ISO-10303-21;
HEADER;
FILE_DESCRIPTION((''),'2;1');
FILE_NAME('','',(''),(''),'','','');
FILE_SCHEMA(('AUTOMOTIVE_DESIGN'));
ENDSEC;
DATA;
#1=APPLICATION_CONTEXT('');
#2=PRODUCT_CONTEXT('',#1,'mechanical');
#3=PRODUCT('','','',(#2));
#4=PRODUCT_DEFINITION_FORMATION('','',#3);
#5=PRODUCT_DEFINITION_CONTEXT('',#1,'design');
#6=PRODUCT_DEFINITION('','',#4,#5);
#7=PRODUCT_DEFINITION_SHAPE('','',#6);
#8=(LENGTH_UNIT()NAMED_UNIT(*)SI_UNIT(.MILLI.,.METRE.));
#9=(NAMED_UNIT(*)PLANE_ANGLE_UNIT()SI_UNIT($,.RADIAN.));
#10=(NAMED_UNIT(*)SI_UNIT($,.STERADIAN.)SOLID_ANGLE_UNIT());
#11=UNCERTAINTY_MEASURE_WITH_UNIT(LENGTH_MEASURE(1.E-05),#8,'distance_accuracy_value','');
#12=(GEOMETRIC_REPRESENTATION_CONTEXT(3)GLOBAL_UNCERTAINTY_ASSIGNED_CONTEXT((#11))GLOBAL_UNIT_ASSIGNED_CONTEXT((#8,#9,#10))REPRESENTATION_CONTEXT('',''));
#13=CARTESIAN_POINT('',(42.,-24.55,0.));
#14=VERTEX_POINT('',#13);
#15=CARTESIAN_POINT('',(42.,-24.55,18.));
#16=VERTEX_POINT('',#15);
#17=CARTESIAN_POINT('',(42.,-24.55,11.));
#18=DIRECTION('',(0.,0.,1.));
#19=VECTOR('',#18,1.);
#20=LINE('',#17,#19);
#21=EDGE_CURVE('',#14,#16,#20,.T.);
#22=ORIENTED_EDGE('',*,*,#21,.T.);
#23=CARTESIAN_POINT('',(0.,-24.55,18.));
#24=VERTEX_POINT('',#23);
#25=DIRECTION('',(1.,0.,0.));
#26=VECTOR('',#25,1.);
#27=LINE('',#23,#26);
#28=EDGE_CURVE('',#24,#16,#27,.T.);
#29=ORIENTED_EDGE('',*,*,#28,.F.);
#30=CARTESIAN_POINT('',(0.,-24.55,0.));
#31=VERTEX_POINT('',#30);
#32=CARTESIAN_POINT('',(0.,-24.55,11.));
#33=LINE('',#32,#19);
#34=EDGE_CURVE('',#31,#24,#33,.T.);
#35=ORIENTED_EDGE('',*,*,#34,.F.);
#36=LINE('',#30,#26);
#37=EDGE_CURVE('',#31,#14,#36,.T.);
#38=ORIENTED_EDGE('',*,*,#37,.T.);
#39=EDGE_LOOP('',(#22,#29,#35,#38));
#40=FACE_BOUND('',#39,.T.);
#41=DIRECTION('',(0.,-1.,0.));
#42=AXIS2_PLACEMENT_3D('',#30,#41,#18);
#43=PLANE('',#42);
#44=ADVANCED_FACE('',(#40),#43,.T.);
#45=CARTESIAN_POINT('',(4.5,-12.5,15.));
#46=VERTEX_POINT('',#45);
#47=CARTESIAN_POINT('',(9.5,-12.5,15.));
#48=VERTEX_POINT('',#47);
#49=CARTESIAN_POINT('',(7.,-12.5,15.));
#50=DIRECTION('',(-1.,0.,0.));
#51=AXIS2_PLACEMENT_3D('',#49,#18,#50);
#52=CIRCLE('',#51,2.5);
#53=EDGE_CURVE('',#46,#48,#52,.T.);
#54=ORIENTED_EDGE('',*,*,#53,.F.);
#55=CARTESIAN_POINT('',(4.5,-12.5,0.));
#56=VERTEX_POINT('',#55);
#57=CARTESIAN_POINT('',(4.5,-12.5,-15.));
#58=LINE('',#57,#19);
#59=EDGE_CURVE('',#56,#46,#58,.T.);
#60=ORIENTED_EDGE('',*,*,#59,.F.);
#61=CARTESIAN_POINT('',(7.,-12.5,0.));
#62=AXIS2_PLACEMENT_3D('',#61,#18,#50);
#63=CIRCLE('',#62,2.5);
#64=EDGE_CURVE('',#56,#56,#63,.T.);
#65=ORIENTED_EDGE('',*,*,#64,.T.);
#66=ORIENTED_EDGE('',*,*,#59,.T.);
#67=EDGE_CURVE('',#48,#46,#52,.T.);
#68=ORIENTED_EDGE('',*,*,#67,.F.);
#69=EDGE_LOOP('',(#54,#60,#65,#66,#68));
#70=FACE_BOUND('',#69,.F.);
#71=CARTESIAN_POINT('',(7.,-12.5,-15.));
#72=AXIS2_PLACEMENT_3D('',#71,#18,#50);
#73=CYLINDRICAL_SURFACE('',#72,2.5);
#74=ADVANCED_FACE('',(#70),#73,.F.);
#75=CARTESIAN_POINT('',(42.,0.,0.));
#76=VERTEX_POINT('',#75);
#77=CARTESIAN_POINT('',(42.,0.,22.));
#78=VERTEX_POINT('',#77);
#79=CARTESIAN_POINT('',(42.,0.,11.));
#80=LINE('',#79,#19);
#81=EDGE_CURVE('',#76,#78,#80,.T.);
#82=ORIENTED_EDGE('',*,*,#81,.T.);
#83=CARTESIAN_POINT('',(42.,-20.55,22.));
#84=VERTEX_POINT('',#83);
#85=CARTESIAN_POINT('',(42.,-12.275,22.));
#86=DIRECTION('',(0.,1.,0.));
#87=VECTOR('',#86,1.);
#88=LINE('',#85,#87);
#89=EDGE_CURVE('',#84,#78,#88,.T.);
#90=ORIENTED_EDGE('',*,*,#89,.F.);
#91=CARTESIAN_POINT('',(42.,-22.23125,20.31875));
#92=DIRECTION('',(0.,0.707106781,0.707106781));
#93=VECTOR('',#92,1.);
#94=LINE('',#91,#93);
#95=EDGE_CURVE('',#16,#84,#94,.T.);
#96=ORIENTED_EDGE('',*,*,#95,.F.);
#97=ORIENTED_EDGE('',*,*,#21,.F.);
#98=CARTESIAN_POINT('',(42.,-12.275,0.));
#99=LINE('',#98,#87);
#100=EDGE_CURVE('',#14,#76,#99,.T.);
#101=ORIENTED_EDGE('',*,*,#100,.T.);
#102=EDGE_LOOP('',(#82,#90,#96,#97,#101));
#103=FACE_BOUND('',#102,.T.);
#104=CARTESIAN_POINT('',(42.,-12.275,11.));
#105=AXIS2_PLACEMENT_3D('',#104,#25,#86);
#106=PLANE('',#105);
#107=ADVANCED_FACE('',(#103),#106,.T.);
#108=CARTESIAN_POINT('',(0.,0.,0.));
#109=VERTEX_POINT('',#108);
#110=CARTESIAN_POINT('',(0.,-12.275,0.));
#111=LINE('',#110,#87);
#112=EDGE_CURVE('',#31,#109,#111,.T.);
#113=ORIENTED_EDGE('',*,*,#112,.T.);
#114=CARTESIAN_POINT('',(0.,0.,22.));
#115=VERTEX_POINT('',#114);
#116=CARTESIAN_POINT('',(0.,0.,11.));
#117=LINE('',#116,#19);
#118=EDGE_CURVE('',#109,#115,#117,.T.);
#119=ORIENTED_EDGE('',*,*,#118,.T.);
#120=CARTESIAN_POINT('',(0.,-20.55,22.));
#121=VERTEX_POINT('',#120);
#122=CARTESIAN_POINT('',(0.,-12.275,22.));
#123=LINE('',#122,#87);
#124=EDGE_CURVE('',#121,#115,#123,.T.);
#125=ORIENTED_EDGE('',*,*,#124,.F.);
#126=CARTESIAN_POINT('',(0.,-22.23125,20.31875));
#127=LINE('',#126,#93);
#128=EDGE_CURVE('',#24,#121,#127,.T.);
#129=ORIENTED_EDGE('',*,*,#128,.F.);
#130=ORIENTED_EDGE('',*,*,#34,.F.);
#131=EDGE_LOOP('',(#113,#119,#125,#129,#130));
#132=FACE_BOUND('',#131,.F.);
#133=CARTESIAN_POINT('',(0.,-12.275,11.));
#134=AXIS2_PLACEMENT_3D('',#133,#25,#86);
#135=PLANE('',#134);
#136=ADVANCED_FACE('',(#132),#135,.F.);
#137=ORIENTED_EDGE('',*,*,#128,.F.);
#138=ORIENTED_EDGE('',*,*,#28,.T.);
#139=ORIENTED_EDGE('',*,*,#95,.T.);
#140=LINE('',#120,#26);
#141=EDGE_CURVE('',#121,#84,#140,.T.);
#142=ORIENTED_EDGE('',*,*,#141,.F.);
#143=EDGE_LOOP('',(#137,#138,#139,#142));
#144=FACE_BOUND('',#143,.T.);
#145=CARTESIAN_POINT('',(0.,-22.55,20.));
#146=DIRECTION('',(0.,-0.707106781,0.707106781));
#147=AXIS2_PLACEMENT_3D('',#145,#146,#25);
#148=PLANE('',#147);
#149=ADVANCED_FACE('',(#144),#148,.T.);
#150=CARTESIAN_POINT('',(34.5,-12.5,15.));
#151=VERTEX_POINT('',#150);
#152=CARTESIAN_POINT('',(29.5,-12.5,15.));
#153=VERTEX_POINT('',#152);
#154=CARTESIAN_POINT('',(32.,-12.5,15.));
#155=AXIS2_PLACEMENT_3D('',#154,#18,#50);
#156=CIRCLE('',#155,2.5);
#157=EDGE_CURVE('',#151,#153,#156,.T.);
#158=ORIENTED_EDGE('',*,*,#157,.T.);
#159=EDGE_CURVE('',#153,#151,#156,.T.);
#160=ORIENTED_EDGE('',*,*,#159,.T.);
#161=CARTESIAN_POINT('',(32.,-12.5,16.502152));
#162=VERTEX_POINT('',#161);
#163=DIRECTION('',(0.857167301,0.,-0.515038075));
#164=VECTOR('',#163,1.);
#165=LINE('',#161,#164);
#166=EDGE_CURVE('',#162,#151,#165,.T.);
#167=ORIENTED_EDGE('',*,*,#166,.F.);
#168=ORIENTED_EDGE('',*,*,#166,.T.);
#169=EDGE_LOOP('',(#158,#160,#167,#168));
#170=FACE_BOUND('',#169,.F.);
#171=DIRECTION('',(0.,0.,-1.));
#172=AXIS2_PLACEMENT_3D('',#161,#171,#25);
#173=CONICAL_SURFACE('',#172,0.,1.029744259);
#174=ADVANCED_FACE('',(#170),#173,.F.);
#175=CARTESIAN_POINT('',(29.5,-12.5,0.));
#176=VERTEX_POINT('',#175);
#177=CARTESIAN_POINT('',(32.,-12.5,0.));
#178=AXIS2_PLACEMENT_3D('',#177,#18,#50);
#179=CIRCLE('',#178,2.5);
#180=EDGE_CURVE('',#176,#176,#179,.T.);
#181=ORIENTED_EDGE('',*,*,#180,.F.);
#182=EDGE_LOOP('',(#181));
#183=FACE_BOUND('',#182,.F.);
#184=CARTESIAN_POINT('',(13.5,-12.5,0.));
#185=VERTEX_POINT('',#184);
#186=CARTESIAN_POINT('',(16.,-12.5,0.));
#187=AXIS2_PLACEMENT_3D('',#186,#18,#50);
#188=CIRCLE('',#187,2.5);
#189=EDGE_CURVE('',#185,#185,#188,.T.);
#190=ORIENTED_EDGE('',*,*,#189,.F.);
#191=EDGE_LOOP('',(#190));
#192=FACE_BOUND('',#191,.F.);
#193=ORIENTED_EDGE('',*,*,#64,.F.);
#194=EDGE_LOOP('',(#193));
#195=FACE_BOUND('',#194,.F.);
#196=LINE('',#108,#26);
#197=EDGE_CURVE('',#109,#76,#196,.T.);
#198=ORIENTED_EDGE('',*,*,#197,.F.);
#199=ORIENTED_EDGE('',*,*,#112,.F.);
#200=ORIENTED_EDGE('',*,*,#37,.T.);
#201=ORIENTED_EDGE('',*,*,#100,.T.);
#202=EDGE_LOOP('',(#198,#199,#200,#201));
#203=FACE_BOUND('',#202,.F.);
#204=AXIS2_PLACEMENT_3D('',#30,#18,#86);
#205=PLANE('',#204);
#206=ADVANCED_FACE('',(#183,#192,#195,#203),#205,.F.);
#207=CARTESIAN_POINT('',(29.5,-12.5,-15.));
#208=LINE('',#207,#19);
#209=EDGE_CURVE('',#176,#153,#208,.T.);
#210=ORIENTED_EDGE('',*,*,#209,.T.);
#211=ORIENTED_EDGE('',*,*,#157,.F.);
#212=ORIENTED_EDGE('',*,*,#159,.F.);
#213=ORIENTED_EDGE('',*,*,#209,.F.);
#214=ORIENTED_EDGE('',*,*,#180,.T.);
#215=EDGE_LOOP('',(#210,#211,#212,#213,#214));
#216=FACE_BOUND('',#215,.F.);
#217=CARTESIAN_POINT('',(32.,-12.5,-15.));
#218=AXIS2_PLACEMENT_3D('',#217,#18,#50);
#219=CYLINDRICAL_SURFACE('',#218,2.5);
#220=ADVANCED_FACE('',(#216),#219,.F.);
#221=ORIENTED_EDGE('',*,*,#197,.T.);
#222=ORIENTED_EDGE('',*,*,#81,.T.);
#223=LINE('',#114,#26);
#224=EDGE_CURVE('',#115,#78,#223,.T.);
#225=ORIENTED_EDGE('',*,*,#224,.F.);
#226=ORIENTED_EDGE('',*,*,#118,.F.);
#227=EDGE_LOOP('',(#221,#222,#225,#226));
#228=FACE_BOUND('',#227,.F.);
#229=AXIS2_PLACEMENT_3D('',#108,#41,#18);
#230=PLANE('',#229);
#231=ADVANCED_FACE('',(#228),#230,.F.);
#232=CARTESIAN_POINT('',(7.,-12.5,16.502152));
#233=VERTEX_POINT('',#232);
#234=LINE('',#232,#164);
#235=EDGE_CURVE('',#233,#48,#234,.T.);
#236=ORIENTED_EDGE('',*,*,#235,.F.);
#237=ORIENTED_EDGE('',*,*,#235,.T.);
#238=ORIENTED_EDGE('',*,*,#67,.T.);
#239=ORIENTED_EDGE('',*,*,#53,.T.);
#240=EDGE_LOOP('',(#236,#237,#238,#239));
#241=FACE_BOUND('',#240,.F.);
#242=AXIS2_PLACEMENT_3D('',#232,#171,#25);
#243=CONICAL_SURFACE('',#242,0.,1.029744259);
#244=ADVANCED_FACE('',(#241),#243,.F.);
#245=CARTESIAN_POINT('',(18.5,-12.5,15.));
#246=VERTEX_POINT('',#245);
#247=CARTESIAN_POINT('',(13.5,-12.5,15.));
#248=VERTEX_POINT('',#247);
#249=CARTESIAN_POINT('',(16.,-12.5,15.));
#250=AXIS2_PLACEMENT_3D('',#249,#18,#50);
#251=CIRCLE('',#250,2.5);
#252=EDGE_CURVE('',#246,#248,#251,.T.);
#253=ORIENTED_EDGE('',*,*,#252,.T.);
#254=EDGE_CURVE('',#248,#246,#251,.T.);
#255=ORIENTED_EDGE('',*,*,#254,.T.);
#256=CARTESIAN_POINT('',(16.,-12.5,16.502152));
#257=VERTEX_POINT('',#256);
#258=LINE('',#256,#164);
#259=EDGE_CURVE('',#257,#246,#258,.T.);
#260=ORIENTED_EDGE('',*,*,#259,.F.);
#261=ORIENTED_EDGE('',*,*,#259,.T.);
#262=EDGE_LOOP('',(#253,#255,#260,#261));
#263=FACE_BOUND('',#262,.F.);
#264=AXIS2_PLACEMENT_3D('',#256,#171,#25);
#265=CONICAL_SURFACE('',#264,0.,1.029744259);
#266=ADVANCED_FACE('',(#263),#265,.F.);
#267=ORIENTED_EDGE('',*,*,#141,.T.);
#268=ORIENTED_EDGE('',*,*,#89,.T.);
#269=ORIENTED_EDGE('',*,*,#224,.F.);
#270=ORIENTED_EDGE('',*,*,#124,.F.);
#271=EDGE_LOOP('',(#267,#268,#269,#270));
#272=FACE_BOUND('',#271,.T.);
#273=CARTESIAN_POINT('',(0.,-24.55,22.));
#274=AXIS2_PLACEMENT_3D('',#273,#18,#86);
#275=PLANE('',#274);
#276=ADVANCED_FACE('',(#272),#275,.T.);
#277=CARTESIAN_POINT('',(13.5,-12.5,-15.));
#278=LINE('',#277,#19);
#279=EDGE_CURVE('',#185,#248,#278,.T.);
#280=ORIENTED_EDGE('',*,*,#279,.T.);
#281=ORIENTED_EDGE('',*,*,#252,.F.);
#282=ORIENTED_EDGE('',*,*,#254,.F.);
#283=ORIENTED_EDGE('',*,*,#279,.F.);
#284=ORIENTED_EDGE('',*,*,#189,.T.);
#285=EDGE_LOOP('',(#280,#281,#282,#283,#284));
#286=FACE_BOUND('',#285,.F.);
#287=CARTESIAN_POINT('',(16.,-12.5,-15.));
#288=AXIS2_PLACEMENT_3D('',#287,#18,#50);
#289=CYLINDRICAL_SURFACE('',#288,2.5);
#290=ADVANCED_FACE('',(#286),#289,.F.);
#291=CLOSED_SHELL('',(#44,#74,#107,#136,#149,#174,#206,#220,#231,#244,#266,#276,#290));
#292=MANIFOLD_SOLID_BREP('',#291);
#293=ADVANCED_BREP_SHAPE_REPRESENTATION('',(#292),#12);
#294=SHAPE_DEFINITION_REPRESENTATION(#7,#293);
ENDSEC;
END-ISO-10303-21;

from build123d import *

# Parameters (mm, degrees)
F0_W     = 24.55
F0_H     = 22
F1_DEPTH = 42
F2_SIZE  = 4
F4_D     = 5
F4_DEPTH = 15
F4_TIP   = 1.5021515476


with BuildPart() as f1:
    # F0 (on Right) → F1 (new body)
    with BuildSketch(Plane.YZ):
        with Locations((-12.275, 11)):
            Rectangle(F0_W, F0_H)
    extrude(amount=F1_DEPTH)

    # F2
    f2_edges = [f1.edges().sort_by_distance(p)[0] for p in [
        (21, -24.55, 22),
    ]]
    chamfer(f2_edges, length=F2_SIZE)

    # F4
    with Locations(Plane(origin=(0, 0, 0), x_dir=(1, 0, 0), z_dir=(0, 0, -1))):
        with Locations((32, 12.5), (16, 12.5), (7, 12.5)):
            Hole(F4_D / 2, depth=F4_DEPTH)
            with Locations((0, 0, -(F4_DEPTH + F4_TIP / 2))):  # 118° drill point
                Cone(0, F4_D / 2, F4_TIP, mode=Mode.SUBTRACT)


solid = f1.part
